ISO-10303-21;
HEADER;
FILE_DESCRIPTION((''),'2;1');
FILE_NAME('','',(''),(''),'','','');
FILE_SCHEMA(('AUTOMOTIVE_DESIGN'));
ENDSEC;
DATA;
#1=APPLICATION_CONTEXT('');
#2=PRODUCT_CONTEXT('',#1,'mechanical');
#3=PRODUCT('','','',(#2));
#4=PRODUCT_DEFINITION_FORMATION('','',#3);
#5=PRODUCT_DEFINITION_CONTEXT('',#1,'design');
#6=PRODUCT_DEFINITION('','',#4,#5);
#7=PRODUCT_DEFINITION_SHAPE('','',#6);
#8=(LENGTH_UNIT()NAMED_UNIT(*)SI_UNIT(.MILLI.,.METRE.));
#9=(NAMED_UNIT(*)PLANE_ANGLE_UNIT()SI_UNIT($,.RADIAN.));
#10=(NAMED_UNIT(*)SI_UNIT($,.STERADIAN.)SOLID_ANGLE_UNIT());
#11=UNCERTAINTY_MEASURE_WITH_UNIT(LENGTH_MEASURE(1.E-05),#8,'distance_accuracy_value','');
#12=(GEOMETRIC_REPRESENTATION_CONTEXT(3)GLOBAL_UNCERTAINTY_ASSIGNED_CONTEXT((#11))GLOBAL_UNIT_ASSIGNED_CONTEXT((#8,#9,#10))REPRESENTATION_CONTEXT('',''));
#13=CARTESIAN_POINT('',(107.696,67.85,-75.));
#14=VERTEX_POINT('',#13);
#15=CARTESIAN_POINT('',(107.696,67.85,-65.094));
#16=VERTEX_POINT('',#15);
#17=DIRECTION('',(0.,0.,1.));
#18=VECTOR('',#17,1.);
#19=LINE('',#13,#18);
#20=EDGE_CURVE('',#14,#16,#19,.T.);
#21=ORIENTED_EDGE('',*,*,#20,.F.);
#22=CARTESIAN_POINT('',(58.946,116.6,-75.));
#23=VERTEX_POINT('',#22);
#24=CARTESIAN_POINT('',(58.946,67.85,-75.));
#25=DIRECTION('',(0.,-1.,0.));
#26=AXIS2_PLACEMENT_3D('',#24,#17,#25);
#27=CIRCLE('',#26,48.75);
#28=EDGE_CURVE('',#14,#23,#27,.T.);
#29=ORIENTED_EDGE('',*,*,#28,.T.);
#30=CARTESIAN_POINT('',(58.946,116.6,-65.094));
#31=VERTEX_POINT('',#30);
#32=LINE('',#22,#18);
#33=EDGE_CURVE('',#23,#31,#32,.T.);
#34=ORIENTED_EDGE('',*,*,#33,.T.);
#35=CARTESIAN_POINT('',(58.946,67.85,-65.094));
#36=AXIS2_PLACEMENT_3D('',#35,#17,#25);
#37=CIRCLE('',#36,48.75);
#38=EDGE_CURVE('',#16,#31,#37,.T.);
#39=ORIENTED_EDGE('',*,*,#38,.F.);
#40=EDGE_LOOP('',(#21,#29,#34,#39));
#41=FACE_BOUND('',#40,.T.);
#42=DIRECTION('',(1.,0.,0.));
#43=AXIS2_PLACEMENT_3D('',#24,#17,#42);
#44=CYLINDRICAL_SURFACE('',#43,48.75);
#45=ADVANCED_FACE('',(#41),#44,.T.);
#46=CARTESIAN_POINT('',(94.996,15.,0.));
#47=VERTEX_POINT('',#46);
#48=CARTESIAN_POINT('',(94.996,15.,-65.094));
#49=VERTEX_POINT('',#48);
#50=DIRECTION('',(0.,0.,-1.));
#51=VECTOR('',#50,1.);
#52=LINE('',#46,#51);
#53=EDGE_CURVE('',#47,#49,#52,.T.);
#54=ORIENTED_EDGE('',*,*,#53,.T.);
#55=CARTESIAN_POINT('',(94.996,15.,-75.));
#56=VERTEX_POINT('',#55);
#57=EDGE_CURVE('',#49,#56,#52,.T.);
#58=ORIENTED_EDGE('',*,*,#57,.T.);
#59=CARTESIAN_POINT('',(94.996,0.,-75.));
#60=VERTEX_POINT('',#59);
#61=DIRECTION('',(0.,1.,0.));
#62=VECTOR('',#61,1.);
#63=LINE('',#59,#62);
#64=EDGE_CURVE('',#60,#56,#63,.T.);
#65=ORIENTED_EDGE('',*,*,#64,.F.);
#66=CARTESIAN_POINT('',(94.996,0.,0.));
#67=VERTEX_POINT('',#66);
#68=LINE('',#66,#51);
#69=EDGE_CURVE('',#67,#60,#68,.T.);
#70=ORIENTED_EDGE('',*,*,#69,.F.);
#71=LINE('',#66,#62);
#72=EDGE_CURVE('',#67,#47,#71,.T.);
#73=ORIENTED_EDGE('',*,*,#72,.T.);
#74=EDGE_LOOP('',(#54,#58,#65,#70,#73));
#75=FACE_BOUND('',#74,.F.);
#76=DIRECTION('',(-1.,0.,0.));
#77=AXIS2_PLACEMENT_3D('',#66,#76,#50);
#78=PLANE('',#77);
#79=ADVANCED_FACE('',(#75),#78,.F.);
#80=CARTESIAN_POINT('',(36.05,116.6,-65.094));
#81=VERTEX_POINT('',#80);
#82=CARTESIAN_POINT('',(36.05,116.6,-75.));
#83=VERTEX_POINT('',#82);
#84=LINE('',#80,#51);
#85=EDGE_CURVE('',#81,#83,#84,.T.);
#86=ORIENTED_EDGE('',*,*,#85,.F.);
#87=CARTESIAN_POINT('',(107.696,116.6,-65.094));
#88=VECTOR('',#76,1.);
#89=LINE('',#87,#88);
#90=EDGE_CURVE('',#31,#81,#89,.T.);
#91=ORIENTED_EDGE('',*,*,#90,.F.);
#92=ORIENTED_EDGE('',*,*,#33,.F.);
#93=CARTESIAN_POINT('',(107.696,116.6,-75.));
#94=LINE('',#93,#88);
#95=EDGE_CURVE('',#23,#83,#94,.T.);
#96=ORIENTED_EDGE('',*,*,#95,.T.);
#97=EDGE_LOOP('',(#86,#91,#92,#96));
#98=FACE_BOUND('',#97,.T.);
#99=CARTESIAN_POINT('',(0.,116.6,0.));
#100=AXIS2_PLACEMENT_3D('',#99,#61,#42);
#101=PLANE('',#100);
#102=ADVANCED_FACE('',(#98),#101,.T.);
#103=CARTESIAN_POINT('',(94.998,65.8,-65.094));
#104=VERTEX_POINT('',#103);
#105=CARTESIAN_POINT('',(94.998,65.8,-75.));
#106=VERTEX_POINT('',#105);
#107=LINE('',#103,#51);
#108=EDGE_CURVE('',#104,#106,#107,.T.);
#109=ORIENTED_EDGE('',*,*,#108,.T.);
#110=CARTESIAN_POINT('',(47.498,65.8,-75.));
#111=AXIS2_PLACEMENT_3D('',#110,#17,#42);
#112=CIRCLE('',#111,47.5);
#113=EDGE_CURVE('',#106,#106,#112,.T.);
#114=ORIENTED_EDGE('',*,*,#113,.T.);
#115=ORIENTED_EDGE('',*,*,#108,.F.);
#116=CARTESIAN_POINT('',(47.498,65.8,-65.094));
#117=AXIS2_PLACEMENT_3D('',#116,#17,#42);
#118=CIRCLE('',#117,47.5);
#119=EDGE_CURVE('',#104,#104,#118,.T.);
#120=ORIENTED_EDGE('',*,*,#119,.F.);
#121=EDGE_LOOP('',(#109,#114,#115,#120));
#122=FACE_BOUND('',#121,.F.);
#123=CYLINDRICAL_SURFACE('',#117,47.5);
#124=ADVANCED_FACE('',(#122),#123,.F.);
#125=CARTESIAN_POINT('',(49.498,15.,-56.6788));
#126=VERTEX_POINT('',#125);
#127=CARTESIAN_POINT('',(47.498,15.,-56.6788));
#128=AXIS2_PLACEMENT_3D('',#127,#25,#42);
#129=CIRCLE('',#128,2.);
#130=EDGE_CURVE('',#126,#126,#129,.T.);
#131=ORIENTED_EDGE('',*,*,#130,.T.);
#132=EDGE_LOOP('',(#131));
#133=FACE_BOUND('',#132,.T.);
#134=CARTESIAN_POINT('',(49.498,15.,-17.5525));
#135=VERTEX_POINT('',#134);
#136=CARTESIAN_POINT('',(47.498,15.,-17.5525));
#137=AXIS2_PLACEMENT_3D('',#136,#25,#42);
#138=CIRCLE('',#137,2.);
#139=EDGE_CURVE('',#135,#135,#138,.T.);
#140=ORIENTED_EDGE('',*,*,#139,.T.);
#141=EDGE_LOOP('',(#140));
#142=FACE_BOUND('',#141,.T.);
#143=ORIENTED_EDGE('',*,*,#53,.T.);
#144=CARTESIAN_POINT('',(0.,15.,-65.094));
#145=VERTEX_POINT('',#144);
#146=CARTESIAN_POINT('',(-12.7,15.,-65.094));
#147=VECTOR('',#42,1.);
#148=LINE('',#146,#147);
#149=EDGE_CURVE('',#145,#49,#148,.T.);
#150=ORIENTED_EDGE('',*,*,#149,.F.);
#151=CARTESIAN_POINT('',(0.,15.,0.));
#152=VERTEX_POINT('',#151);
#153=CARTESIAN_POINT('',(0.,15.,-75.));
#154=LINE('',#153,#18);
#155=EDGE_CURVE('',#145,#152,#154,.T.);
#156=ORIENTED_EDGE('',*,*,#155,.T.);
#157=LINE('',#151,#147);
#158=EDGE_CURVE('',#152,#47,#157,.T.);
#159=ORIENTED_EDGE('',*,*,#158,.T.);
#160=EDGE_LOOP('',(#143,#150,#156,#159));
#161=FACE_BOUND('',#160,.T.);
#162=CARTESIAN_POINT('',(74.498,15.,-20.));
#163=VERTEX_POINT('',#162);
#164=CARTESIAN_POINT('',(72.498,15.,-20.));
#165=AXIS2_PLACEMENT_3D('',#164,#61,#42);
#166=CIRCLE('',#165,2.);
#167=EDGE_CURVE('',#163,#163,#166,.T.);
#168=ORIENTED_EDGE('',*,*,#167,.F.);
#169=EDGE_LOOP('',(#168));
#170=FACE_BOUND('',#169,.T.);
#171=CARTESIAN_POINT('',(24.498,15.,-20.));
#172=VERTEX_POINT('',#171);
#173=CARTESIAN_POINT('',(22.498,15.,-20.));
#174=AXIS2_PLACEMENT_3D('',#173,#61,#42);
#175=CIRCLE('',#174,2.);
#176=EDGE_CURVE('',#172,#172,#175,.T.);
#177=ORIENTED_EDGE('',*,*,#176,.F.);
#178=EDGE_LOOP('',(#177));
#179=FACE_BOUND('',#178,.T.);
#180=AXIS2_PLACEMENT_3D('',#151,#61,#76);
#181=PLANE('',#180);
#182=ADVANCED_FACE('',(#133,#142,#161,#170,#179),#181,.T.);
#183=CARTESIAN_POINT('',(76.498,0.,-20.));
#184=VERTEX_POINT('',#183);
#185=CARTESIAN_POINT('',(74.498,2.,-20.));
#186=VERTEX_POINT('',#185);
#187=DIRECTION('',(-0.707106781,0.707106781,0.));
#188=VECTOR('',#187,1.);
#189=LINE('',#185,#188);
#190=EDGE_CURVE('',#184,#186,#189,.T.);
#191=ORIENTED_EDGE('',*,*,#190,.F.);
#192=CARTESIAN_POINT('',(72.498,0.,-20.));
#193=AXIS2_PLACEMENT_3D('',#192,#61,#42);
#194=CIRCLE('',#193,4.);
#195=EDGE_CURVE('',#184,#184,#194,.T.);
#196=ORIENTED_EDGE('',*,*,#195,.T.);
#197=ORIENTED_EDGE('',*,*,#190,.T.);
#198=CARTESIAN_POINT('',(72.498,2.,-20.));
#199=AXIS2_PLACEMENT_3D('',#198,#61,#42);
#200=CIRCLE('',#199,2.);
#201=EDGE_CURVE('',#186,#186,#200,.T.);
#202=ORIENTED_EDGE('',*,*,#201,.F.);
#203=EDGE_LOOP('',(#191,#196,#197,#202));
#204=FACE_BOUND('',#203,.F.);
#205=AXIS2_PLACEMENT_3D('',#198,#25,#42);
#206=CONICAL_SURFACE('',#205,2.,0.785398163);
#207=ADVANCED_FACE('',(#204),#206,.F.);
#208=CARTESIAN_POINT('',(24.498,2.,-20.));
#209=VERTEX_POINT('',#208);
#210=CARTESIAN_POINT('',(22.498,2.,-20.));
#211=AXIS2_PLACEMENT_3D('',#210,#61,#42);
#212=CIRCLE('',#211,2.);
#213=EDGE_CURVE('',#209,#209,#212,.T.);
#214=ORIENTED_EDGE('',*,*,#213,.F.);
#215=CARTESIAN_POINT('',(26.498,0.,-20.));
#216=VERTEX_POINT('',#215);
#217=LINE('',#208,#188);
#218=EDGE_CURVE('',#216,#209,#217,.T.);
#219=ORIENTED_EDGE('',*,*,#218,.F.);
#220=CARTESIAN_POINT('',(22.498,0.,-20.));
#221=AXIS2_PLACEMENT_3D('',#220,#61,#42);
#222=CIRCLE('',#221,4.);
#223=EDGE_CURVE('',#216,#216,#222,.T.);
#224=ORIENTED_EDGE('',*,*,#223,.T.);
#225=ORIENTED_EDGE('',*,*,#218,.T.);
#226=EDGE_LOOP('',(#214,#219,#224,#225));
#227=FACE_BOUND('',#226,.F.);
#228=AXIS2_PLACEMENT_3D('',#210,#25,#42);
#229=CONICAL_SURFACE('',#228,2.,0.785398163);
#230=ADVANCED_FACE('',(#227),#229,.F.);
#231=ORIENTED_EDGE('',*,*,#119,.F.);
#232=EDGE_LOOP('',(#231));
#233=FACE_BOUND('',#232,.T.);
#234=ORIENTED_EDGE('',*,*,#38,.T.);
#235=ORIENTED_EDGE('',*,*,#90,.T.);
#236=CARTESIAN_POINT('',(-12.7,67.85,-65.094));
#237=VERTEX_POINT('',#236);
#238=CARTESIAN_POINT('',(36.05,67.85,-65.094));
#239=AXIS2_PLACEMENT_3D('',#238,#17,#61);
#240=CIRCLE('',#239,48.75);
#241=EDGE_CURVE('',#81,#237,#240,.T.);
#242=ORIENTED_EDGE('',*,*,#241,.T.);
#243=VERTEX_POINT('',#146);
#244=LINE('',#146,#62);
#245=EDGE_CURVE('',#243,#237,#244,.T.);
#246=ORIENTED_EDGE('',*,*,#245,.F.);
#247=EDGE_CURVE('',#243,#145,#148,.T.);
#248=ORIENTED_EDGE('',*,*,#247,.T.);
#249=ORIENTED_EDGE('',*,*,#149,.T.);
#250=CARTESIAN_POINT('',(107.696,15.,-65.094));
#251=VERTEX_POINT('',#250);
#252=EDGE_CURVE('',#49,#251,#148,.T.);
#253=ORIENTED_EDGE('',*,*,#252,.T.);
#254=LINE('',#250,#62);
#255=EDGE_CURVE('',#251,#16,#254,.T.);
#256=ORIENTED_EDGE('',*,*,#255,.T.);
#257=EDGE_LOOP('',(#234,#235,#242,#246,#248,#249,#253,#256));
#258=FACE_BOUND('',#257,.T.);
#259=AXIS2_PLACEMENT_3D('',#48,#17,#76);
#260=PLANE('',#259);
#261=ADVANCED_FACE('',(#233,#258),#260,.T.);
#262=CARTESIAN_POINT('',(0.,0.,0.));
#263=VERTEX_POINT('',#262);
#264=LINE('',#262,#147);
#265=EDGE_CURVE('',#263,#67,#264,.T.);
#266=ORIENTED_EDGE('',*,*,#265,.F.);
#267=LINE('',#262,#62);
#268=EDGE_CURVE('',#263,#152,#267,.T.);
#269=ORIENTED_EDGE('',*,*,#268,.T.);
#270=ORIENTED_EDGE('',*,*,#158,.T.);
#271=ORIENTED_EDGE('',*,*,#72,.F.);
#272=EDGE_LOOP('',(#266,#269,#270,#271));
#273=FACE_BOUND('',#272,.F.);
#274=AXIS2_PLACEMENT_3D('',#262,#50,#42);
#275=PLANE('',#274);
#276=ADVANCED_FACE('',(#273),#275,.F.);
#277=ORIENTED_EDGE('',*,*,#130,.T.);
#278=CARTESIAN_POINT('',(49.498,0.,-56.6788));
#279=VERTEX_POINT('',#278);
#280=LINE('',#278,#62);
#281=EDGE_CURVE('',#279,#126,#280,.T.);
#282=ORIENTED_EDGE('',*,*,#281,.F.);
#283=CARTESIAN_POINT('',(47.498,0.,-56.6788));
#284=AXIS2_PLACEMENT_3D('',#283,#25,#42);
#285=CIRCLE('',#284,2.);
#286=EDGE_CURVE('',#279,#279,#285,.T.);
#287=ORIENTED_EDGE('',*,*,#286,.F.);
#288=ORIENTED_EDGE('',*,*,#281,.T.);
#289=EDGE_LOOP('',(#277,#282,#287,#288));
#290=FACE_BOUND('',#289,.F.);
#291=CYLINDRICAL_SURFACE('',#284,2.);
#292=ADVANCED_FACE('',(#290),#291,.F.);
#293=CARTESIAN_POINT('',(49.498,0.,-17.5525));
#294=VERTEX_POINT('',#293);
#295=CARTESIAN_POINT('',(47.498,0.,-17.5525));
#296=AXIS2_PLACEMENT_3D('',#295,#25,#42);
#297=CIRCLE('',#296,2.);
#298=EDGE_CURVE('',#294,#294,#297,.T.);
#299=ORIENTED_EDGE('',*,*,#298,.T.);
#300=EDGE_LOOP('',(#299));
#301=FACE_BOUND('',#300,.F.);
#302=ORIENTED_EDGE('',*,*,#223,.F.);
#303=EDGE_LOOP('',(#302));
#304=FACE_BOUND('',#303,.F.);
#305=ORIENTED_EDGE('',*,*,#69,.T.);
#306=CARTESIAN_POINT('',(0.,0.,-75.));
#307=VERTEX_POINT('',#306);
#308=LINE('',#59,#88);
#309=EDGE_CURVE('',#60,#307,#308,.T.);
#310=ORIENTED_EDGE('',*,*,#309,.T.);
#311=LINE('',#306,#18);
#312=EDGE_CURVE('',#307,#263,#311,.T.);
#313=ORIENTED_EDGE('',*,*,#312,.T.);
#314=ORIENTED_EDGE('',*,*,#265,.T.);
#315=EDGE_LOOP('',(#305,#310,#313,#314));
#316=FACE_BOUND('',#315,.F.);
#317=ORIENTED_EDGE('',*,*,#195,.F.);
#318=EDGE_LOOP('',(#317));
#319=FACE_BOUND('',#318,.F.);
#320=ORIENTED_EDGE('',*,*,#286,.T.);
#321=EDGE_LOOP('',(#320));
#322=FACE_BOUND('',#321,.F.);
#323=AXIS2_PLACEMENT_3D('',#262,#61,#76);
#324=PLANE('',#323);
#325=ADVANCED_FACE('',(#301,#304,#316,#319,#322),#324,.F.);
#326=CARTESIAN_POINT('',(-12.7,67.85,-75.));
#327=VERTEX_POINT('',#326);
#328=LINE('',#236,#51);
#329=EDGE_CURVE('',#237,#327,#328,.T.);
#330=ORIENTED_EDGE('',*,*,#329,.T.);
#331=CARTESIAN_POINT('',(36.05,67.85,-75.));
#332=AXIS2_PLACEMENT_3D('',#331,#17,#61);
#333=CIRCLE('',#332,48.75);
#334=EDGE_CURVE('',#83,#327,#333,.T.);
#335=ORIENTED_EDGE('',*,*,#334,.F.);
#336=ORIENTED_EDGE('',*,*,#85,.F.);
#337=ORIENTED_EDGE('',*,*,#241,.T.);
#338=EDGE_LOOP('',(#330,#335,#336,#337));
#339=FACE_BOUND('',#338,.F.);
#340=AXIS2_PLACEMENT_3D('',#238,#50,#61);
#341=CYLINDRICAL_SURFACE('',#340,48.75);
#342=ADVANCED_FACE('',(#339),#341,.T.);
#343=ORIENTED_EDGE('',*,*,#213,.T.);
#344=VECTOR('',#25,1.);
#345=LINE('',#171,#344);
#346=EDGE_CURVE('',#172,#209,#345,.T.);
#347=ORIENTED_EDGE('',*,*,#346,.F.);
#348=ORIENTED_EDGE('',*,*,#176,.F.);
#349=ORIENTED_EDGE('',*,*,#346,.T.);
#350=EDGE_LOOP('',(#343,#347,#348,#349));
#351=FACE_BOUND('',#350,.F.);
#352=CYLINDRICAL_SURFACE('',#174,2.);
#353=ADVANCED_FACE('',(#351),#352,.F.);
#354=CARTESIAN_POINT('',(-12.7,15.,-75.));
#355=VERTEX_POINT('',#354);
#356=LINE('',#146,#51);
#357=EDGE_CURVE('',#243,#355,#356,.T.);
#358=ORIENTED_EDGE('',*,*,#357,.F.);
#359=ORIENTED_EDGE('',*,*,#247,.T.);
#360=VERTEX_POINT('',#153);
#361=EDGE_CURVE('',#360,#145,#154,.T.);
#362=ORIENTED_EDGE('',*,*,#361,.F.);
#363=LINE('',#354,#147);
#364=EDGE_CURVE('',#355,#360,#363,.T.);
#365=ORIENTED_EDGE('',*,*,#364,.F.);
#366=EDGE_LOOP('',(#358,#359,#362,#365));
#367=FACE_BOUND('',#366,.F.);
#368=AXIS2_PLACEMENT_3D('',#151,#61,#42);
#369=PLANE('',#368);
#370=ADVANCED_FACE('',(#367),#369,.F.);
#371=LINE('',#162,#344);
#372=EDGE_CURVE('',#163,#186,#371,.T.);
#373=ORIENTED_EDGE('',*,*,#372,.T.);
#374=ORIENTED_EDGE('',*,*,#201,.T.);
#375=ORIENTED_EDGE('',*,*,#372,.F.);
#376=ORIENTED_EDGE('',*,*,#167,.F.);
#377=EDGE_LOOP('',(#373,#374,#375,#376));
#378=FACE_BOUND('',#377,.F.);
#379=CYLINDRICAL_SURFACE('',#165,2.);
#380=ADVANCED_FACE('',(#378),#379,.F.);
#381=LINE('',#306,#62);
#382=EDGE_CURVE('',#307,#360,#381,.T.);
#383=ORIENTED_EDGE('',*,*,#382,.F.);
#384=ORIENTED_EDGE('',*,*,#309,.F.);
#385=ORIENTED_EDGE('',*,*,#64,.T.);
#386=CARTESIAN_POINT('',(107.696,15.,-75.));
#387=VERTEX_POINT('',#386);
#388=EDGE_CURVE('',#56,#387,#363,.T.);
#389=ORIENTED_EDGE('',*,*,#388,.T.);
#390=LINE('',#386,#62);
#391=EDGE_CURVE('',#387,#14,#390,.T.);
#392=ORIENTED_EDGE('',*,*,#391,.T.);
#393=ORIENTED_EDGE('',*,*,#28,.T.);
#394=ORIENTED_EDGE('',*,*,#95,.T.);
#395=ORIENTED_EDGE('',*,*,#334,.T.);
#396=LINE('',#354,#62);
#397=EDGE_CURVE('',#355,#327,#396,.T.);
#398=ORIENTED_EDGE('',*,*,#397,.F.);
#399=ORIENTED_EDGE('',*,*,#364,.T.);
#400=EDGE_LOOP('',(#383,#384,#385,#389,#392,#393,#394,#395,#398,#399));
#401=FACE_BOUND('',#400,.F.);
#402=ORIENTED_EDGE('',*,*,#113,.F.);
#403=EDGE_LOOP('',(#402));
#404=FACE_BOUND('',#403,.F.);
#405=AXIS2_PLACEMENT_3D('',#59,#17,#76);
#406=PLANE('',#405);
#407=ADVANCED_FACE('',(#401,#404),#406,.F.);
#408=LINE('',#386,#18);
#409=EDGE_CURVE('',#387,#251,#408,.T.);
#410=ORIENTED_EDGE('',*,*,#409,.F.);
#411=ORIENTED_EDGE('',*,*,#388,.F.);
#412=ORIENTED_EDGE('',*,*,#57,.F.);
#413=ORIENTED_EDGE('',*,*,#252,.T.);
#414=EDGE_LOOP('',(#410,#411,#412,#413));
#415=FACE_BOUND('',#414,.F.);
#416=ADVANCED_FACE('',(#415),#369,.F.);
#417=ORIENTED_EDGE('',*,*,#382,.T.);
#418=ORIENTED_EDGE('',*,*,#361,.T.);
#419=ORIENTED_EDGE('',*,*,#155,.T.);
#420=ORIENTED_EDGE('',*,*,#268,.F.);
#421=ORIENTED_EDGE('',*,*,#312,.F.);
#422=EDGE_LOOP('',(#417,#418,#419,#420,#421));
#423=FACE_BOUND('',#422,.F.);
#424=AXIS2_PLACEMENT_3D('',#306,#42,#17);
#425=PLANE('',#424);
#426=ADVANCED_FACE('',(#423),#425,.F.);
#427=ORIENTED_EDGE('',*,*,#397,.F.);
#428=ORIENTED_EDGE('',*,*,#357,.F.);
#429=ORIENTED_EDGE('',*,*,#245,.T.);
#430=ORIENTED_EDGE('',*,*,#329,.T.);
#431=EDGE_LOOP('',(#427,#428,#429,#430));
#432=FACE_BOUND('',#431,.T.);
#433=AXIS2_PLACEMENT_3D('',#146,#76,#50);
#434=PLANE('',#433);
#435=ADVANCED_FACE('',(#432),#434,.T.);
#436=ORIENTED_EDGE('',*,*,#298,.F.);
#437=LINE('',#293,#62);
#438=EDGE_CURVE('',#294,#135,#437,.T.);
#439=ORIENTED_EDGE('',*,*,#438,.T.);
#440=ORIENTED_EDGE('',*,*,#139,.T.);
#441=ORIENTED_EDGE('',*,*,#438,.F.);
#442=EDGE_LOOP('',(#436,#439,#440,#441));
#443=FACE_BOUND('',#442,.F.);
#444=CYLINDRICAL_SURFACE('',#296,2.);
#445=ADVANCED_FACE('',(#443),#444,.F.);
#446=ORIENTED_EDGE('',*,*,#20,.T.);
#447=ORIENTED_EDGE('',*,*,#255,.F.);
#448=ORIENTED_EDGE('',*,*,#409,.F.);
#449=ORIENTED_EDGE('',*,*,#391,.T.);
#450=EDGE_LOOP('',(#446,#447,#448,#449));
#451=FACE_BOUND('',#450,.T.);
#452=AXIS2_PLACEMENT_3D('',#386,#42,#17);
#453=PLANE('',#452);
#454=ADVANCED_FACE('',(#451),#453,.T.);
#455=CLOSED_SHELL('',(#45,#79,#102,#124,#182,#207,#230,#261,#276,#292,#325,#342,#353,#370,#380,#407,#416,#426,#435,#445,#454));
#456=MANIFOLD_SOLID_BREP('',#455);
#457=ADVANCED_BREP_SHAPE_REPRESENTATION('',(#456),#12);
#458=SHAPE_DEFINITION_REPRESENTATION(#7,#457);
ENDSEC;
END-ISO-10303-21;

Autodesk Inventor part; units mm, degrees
ref_plane "YZ Plane" through (0, 0, 0) normal (1, 0, 0) x (0, 1, 0)
ref_plane "XZ Plane" through (0, 0, 0) normal (0, 1, 0) x (-1, 0, 0)
ref_plane "XY Plane" through (0, 0, 0) normal (0, 0, 1) x (1, 0, 0)
sketch "Sketch1" plane through (0, 0, 0) normal (0, 1, 0) x (-1, 0, 0)
  line L0 (0, 0) -> (-94.996, 0)
  line L1 (-94.996, 0) -> (-94.996, -75)
  line L2 (-94.996, -75) -> (0, -75)
  line L3 (0, -75) -> (0, 0)
  dimension "d0" = 94.996
  dimension "d1" = 75
extrude "Extrusion1" add sketch "Sketch1" along normal blind 15
sketch "Sketch2" plane through (0, 15, 0) normal (0, 1, 0) x (1, 0, 0)
  line L0 (94.996, 75) -> (0, 75) projected
  line L1 (0, 75) -> (-12.7, 75)
  line L2 (94.996, 0) -> (94.996, 75) projected
  line L3 (94.996, 75) -> (107.696, 75)
  line L4 (107.696, 75) -> (107.696, 65.094)
  line L5 (107.696, 65.094) -> (-12.7, 65.094)
  line L6 (-12.7, 65.094) -> (-12.7, 75)
  line L7 (0, 75) -> (94.996, 75)
  point P0 (0, 0)
  dimension "d4" = 12.7
  dimension "d5" = 12.7
  dimension "d6" = 9.906
extrude "Extrusion2" add sketch "Sketch2" along normal blind 101.6
sketch "Sketch4" plane through (0, 0, 0) normal (0, -1, 0) x (1, 0, 0)
  line L0 (0, 0) -> (94.996, 0) projected
  line L1 (94.996, -75) -> (0, -75) projected
  circle A0 centre (47.498, -17.5525) radius 2
  circle A1 centre (47.498, -56.6788) radius 2
  dimension "d12" = 4
  dimension "d13" = 4
extrude "Extrusion4" cut sketch "Sketch4" against normal through all
sketch "Sketch5" plane through (-12.7, 15, -65.094) normal (0, 0, 1) x (1, 0, 0)
  line L0 (58.198, 0) -> (62.198, 0) projected
  line L1 (120.396, 0) -> (120.396, 101.6) projected
  circle A0 centre (60.198, 50.8) radius 47.5
  point P0 (12.7, -15)
  dimension "d17" = 95
extrude "Extrusion5" cut sketch "Sketch5" against normal through all
sketch "Sketch6" plane through (0, 15, 0) normal (0, 1, 0) x (1, 0, 0)
  line L0 (0, 0) -> (94.996, 0) projected
  circle A0 centre (72.498, 20) radius 2
  circle A1 centre (22.498, 20) radius 2
  dimension "d23" = 4
extrude "Extrusion6" cut sketch "Sketch6" against normal through all
chamfer "Chamfer1" distance 2 angle 45 2 edges at (70.498, 0, -20) (20.498, 0, -20)
fillet "Fillet1" radius 48.75 2 edges at (-12.7, 116.6, -70.047) (107.696, 116.6, -70.047)
properties part number "Harmonic Drive Mount"
